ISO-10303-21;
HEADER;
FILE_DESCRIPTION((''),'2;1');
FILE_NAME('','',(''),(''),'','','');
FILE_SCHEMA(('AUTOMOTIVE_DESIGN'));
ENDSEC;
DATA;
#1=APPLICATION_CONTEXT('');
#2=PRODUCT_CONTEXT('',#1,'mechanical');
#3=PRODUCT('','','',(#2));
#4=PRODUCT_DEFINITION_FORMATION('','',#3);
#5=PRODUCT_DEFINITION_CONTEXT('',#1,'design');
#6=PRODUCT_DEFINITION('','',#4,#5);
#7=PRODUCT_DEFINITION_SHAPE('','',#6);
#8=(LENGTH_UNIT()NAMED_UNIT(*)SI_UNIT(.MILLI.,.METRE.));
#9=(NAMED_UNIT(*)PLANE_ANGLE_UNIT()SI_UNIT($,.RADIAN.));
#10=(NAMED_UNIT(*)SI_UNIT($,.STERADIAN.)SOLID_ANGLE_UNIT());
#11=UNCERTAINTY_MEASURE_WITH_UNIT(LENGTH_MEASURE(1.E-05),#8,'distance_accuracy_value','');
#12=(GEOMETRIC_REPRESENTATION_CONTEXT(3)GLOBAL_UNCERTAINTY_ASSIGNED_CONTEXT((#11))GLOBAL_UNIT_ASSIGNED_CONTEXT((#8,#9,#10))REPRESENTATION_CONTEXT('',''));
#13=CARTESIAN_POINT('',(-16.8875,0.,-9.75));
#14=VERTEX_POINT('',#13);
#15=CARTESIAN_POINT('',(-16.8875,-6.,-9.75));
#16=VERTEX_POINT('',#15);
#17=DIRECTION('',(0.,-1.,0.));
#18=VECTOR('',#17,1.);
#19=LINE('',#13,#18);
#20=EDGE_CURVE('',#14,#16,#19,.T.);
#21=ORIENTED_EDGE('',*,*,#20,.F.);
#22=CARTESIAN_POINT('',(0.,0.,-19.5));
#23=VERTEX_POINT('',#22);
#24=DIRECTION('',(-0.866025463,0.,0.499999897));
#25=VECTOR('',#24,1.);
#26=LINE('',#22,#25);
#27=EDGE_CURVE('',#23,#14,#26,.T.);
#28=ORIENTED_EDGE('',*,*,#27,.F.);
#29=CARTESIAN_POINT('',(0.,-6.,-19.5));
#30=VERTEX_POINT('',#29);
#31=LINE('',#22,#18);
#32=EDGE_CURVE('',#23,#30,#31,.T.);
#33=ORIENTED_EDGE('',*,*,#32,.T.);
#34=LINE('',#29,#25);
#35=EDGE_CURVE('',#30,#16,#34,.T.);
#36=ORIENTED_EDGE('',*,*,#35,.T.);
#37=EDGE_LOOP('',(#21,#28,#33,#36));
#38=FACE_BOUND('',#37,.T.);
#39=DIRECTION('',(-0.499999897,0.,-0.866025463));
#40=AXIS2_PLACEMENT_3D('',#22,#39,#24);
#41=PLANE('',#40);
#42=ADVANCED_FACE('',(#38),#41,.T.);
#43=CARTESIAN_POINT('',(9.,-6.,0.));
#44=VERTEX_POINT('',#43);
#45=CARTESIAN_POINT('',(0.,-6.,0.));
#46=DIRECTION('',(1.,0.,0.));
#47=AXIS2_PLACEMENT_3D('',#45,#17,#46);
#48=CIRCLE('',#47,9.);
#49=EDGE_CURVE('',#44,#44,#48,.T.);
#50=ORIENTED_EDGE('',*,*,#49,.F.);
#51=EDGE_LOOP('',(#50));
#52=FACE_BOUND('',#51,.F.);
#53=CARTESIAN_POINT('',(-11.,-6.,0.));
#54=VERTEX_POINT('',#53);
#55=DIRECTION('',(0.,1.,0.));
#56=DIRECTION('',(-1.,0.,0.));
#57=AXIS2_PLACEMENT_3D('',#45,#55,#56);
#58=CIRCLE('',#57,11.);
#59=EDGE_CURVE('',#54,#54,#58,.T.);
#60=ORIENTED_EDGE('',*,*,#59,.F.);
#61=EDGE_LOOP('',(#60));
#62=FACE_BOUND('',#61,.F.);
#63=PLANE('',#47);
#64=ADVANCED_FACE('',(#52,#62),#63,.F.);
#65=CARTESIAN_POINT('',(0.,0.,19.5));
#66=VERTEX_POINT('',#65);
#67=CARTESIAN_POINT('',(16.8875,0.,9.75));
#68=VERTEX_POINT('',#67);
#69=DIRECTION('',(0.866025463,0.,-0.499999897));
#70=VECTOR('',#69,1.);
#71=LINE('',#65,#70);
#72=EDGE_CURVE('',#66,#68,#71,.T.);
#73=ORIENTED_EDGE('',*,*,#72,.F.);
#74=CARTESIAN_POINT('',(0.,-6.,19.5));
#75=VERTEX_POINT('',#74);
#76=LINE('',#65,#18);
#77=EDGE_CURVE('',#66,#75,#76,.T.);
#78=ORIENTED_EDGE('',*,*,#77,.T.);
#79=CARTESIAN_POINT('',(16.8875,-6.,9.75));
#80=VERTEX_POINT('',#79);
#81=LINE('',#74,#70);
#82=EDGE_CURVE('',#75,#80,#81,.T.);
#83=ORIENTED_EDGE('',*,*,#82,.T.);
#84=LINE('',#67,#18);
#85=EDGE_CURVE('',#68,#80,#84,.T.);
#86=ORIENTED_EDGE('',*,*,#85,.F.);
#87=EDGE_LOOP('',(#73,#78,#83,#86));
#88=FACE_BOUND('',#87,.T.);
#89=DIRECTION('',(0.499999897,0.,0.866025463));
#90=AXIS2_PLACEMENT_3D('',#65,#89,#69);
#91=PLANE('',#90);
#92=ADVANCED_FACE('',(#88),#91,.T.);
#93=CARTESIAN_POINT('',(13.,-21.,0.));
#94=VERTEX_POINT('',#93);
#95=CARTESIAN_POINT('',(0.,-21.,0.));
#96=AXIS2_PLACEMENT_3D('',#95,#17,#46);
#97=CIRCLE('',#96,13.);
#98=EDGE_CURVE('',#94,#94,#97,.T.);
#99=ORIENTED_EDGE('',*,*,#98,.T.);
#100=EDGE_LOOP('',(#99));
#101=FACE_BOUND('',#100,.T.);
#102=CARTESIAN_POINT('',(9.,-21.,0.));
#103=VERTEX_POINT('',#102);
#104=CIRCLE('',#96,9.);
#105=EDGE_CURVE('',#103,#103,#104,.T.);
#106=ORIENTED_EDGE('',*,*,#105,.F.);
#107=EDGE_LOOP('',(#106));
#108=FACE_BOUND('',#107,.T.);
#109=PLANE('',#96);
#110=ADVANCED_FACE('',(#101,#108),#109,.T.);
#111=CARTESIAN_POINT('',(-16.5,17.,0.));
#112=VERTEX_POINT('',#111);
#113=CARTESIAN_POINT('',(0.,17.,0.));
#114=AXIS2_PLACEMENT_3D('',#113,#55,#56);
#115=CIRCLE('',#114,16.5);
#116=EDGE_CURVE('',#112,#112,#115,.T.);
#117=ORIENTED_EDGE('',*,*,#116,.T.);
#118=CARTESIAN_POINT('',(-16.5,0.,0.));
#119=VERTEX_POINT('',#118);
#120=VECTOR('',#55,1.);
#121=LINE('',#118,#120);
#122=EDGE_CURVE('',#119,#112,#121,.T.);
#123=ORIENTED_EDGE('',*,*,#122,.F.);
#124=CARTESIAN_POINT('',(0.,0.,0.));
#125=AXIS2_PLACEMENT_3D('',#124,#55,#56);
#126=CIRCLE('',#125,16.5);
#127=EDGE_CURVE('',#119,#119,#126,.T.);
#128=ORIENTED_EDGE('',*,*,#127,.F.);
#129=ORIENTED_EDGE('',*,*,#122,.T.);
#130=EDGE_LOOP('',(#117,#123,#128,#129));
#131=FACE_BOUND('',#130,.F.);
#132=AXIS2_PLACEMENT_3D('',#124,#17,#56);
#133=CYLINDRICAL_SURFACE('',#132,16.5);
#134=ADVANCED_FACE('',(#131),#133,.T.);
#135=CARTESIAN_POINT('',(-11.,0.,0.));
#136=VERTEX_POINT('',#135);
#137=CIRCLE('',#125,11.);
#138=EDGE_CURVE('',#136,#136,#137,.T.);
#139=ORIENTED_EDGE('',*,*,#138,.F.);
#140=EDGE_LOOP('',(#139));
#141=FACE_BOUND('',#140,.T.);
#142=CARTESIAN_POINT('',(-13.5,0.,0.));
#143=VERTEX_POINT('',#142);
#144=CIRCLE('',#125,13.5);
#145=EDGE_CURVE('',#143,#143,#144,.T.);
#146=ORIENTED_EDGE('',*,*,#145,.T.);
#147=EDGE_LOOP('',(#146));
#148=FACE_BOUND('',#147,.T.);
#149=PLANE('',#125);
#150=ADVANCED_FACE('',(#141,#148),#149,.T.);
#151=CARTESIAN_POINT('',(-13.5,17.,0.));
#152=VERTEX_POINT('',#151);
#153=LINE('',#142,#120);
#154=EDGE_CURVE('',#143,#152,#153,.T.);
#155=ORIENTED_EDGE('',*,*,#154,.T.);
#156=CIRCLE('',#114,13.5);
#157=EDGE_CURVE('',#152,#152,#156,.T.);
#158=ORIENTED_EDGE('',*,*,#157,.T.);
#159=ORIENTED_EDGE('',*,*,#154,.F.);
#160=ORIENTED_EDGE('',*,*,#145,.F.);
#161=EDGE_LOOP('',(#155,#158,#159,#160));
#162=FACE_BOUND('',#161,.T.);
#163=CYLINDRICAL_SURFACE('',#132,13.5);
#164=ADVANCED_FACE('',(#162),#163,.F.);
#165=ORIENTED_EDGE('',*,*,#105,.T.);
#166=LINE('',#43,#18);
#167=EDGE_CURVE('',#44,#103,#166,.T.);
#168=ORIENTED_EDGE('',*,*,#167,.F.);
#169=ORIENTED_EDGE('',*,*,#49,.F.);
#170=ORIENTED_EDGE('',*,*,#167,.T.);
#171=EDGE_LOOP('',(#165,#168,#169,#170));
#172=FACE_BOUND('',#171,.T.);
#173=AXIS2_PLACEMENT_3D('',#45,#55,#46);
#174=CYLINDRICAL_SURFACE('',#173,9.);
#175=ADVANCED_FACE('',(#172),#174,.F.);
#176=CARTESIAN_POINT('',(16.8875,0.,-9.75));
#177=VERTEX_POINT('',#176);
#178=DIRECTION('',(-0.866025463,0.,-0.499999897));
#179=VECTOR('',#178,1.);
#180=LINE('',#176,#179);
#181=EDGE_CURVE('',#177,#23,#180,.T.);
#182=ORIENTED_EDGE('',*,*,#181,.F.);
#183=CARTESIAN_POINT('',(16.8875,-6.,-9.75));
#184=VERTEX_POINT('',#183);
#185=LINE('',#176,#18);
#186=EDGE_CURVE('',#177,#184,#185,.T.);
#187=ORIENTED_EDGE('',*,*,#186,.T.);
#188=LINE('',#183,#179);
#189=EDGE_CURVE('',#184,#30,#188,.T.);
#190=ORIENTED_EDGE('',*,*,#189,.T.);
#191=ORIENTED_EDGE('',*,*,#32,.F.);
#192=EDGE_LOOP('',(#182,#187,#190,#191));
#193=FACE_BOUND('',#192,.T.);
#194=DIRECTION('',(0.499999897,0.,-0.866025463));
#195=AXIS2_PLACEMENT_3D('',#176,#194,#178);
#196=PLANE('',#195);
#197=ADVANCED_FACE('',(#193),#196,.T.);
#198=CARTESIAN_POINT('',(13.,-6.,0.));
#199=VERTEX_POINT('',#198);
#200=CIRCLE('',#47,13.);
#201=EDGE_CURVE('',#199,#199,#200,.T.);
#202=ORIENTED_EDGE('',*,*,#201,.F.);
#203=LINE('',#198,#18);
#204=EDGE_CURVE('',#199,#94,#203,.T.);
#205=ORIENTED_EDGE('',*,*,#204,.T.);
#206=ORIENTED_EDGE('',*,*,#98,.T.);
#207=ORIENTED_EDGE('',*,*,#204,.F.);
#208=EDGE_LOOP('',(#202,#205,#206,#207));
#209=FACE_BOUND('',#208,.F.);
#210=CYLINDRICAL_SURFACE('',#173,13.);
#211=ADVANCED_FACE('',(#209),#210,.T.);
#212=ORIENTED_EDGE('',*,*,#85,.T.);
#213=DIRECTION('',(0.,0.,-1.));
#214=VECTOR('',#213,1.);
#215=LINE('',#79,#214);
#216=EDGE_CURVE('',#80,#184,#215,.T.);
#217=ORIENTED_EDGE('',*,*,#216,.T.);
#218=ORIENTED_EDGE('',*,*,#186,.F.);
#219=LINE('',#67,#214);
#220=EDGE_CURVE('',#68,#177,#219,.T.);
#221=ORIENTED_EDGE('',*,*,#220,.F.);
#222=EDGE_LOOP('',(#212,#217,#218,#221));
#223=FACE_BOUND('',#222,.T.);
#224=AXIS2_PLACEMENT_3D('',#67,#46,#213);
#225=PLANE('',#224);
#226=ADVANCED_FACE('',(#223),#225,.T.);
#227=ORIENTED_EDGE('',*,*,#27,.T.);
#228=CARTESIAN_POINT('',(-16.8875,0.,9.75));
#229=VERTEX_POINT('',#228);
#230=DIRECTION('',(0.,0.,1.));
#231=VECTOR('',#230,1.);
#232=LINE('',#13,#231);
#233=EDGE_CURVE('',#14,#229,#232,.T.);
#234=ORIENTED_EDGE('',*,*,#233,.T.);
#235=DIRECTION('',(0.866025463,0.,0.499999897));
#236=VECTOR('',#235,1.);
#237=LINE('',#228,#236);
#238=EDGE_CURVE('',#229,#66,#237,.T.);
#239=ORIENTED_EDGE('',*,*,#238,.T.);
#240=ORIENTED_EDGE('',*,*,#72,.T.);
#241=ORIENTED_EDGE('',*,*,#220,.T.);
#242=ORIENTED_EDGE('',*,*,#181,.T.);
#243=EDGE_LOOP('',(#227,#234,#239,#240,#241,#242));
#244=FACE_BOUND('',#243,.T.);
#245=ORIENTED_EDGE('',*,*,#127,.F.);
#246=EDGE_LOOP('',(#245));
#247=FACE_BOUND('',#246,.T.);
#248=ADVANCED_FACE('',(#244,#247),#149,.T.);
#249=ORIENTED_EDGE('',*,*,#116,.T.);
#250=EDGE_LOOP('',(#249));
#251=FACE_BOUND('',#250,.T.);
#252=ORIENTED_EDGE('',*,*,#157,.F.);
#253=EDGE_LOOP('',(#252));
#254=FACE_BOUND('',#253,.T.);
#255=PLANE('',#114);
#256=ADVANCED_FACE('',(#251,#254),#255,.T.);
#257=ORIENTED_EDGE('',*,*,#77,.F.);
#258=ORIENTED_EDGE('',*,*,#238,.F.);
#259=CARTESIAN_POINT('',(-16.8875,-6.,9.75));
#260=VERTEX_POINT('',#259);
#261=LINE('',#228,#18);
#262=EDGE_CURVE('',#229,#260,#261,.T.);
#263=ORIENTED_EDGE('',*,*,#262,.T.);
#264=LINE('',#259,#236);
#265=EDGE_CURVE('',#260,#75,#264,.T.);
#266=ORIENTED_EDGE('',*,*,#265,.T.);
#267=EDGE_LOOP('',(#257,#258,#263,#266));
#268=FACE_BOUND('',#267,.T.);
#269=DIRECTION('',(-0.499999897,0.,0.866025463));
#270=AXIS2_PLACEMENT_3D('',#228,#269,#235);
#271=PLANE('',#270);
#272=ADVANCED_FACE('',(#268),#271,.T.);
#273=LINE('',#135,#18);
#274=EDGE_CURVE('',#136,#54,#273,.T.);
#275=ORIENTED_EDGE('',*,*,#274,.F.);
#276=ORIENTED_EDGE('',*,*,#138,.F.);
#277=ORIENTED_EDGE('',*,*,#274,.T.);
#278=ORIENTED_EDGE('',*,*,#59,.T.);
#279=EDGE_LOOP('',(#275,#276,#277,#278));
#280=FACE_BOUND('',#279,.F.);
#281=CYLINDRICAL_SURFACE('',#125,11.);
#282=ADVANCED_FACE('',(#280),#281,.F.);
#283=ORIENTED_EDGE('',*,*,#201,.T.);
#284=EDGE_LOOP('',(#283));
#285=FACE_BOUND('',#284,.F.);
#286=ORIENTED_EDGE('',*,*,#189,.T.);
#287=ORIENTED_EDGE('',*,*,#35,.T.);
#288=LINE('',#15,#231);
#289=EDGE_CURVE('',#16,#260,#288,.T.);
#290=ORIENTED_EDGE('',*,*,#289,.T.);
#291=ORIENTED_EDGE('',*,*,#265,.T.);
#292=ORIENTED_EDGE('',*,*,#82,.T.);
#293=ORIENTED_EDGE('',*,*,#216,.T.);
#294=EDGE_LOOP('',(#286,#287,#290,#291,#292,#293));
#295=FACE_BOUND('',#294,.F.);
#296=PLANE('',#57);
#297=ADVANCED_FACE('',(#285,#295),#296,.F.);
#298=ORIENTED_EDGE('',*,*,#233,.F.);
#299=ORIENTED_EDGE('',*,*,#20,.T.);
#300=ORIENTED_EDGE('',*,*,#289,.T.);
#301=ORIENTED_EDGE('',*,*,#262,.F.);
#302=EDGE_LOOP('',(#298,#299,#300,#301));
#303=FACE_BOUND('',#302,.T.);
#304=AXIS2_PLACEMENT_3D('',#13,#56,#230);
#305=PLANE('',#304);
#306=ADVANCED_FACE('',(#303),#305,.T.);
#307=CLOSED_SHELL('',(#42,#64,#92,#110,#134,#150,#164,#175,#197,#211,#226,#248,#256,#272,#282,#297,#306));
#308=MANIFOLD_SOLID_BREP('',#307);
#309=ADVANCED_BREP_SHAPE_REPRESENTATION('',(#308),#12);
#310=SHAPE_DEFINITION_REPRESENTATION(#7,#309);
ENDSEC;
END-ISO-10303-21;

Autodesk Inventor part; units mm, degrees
ref_plane "YZ Plane" through (0, 0, 0) normal (1, 0, 0) x (0, 1, 0)
ref_plane "XZ Plane" through (0, 0, 0) normal (0, 1, 0) x (-1, 0, 0)
ref_plane "XY Plane" through (0, 0, 0) normal (0, 0, 1) x (1, 0, 0)
sketch "Sketch1" plane through (0, 0, 0) normal (0, 1, 0) x (-1, 0, 0)
  circle A0 centre (0, 0) radius 13.5
  circle A1 centre (0, 0) radius 16.5
  dimension "d0" = 27
  dimension "d1" = 33
extrude "pipeEnd" add sketch "Sketch1" along normal blind 17
sketch "Sketch2" plane through (0, 0, 0) normal (0, 1, 0) x (-1, 0, 0)
  circle A0 centre (0, 0) radius 19.5 construction
  line L0 (16.8875, -9.75) -> (16.8875, 9.75)
  line L1 (16.8875, 9.75) -> (0, 19.5)
  line L2 (0, 19.5) -> (-16.8875, 9.75)
  line L3 (-16.8875, 9.75) -> (-16.8875, -9.75)
  line L4 (-16.8875, -9.75) -> (0, -19.5)
  line L5 (0, -19.5) -> (16.8875, -9.75)
  circle A1 centre (0, 0) radius 11
  dimension "d4" = 39
  dimension "d12" = 22
extrude "hexBit" add sketch "Sketch2" against normal blind 6
sketch "Sketch3" plane through (0, -6, 0) normal (0, -1, 0) x (1, 0, 0)
  circle A0 centre (0, 0) radius 9
  circle A1 centre (0, 0) radius 13
  dimension "d7" = 18
  dimension "d8" = 26
extrude "thread" add sketch "Sketch3" along normal blind 15
thread "Thread1" size "G 3/4-14" class "A" standard "BSP Pipe Threads" full length
sketch "pinsPlacement" plane through (0, -21, 0) normal (0, -1, 0) x (1, 0, 0)
  point P0 (0, 0)
  point P1 (0, 0)
properties part number "PVCConnectorMale3_4inch"
